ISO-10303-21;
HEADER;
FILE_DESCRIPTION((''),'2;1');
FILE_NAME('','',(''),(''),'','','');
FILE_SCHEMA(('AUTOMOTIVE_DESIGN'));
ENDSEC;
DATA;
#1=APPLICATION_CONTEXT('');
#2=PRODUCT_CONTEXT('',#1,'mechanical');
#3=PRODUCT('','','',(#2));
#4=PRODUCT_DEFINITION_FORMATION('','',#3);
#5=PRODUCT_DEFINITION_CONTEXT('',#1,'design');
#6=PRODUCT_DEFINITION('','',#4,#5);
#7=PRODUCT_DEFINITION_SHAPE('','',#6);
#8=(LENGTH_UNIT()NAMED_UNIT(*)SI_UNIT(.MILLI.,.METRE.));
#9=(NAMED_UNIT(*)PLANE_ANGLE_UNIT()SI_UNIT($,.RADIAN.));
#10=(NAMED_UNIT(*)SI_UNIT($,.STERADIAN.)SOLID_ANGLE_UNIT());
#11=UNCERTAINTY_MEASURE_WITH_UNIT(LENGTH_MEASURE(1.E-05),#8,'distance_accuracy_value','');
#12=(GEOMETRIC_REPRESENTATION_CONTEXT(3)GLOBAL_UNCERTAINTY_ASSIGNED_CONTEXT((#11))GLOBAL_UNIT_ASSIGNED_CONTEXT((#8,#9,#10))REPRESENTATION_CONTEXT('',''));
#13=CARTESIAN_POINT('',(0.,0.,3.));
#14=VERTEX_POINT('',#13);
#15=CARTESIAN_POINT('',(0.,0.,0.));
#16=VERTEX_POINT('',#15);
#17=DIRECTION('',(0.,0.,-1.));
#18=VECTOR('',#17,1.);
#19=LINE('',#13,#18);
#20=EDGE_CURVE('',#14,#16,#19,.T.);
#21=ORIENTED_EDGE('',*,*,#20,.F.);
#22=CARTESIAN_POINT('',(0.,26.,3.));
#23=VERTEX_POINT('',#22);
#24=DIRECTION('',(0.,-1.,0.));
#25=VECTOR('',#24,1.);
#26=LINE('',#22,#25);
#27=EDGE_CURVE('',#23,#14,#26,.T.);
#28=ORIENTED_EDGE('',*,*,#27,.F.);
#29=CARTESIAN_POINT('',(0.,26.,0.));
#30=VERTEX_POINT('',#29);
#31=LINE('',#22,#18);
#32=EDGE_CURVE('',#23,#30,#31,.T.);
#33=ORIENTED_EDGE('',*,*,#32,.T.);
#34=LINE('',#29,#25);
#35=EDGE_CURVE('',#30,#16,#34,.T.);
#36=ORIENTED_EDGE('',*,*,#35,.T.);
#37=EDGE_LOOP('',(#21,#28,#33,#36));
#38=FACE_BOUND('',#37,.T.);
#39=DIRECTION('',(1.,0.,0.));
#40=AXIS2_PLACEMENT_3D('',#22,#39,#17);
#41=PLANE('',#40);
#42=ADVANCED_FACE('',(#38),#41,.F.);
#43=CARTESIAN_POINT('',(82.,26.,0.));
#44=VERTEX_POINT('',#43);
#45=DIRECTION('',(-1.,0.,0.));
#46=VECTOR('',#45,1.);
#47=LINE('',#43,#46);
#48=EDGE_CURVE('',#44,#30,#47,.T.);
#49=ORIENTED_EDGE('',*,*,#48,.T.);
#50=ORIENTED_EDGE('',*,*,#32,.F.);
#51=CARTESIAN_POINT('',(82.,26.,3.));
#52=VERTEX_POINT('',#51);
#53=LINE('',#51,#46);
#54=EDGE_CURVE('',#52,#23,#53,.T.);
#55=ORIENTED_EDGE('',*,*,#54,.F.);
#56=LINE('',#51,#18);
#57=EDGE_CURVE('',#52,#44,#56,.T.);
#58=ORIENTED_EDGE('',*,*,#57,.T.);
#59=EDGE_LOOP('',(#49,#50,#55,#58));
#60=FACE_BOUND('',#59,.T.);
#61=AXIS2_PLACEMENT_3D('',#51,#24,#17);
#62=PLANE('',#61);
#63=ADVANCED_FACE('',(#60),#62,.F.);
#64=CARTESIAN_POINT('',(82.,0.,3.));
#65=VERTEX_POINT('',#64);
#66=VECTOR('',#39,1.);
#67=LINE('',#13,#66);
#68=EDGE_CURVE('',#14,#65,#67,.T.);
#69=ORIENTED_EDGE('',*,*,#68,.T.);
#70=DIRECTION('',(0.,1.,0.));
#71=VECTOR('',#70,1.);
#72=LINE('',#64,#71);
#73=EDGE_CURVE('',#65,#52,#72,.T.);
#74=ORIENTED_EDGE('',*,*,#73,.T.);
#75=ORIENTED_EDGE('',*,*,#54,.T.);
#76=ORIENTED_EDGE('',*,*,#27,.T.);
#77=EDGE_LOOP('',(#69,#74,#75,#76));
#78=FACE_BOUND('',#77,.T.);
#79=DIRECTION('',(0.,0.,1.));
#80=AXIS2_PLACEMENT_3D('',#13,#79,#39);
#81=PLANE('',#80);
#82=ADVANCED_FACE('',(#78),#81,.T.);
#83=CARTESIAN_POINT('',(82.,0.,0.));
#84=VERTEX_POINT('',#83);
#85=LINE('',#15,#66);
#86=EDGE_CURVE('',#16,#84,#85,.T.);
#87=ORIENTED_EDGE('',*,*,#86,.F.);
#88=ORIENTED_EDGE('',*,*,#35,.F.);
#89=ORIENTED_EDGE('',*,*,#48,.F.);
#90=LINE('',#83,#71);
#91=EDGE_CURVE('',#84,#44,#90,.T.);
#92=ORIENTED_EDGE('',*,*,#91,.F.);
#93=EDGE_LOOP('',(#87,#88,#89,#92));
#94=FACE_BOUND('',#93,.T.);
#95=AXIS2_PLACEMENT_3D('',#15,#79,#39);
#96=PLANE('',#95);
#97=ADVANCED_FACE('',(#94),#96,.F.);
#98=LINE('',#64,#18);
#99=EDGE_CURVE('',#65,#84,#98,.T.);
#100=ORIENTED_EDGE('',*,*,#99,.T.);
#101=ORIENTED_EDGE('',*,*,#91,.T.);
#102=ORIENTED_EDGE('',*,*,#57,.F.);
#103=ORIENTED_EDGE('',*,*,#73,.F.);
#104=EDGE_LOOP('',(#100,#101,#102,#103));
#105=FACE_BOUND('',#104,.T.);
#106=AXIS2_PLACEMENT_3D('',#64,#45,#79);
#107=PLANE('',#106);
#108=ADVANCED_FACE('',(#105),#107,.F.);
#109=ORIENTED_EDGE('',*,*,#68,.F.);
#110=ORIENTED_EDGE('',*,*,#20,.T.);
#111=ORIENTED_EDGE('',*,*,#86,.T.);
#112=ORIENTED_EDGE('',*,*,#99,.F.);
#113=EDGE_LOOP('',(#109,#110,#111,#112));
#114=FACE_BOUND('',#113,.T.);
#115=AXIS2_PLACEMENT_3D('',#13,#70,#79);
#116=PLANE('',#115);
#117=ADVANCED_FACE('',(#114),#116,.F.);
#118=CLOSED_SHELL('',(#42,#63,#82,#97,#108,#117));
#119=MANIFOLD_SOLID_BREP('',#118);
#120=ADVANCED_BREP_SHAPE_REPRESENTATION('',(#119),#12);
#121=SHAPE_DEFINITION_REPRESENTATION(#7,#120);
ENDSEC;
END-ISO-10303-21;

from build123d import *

# Parameters (mm, degrees)
SKETCH_1_W        = 82
SKETCH_1_H        = 26
STEREO_TRAY_DEPTH = 3


with BuildPart() as part:
    # 草图1 → Stereo_Tray (new body)
    with BuildSketch(Plane.XY):
        with Locations((41, 13)):
            Rectangle(SKETCH_1_W, SKETCH_1_H)
    extrude(amount=STEREO_TRAY_DEPTH)


solid = part.part
